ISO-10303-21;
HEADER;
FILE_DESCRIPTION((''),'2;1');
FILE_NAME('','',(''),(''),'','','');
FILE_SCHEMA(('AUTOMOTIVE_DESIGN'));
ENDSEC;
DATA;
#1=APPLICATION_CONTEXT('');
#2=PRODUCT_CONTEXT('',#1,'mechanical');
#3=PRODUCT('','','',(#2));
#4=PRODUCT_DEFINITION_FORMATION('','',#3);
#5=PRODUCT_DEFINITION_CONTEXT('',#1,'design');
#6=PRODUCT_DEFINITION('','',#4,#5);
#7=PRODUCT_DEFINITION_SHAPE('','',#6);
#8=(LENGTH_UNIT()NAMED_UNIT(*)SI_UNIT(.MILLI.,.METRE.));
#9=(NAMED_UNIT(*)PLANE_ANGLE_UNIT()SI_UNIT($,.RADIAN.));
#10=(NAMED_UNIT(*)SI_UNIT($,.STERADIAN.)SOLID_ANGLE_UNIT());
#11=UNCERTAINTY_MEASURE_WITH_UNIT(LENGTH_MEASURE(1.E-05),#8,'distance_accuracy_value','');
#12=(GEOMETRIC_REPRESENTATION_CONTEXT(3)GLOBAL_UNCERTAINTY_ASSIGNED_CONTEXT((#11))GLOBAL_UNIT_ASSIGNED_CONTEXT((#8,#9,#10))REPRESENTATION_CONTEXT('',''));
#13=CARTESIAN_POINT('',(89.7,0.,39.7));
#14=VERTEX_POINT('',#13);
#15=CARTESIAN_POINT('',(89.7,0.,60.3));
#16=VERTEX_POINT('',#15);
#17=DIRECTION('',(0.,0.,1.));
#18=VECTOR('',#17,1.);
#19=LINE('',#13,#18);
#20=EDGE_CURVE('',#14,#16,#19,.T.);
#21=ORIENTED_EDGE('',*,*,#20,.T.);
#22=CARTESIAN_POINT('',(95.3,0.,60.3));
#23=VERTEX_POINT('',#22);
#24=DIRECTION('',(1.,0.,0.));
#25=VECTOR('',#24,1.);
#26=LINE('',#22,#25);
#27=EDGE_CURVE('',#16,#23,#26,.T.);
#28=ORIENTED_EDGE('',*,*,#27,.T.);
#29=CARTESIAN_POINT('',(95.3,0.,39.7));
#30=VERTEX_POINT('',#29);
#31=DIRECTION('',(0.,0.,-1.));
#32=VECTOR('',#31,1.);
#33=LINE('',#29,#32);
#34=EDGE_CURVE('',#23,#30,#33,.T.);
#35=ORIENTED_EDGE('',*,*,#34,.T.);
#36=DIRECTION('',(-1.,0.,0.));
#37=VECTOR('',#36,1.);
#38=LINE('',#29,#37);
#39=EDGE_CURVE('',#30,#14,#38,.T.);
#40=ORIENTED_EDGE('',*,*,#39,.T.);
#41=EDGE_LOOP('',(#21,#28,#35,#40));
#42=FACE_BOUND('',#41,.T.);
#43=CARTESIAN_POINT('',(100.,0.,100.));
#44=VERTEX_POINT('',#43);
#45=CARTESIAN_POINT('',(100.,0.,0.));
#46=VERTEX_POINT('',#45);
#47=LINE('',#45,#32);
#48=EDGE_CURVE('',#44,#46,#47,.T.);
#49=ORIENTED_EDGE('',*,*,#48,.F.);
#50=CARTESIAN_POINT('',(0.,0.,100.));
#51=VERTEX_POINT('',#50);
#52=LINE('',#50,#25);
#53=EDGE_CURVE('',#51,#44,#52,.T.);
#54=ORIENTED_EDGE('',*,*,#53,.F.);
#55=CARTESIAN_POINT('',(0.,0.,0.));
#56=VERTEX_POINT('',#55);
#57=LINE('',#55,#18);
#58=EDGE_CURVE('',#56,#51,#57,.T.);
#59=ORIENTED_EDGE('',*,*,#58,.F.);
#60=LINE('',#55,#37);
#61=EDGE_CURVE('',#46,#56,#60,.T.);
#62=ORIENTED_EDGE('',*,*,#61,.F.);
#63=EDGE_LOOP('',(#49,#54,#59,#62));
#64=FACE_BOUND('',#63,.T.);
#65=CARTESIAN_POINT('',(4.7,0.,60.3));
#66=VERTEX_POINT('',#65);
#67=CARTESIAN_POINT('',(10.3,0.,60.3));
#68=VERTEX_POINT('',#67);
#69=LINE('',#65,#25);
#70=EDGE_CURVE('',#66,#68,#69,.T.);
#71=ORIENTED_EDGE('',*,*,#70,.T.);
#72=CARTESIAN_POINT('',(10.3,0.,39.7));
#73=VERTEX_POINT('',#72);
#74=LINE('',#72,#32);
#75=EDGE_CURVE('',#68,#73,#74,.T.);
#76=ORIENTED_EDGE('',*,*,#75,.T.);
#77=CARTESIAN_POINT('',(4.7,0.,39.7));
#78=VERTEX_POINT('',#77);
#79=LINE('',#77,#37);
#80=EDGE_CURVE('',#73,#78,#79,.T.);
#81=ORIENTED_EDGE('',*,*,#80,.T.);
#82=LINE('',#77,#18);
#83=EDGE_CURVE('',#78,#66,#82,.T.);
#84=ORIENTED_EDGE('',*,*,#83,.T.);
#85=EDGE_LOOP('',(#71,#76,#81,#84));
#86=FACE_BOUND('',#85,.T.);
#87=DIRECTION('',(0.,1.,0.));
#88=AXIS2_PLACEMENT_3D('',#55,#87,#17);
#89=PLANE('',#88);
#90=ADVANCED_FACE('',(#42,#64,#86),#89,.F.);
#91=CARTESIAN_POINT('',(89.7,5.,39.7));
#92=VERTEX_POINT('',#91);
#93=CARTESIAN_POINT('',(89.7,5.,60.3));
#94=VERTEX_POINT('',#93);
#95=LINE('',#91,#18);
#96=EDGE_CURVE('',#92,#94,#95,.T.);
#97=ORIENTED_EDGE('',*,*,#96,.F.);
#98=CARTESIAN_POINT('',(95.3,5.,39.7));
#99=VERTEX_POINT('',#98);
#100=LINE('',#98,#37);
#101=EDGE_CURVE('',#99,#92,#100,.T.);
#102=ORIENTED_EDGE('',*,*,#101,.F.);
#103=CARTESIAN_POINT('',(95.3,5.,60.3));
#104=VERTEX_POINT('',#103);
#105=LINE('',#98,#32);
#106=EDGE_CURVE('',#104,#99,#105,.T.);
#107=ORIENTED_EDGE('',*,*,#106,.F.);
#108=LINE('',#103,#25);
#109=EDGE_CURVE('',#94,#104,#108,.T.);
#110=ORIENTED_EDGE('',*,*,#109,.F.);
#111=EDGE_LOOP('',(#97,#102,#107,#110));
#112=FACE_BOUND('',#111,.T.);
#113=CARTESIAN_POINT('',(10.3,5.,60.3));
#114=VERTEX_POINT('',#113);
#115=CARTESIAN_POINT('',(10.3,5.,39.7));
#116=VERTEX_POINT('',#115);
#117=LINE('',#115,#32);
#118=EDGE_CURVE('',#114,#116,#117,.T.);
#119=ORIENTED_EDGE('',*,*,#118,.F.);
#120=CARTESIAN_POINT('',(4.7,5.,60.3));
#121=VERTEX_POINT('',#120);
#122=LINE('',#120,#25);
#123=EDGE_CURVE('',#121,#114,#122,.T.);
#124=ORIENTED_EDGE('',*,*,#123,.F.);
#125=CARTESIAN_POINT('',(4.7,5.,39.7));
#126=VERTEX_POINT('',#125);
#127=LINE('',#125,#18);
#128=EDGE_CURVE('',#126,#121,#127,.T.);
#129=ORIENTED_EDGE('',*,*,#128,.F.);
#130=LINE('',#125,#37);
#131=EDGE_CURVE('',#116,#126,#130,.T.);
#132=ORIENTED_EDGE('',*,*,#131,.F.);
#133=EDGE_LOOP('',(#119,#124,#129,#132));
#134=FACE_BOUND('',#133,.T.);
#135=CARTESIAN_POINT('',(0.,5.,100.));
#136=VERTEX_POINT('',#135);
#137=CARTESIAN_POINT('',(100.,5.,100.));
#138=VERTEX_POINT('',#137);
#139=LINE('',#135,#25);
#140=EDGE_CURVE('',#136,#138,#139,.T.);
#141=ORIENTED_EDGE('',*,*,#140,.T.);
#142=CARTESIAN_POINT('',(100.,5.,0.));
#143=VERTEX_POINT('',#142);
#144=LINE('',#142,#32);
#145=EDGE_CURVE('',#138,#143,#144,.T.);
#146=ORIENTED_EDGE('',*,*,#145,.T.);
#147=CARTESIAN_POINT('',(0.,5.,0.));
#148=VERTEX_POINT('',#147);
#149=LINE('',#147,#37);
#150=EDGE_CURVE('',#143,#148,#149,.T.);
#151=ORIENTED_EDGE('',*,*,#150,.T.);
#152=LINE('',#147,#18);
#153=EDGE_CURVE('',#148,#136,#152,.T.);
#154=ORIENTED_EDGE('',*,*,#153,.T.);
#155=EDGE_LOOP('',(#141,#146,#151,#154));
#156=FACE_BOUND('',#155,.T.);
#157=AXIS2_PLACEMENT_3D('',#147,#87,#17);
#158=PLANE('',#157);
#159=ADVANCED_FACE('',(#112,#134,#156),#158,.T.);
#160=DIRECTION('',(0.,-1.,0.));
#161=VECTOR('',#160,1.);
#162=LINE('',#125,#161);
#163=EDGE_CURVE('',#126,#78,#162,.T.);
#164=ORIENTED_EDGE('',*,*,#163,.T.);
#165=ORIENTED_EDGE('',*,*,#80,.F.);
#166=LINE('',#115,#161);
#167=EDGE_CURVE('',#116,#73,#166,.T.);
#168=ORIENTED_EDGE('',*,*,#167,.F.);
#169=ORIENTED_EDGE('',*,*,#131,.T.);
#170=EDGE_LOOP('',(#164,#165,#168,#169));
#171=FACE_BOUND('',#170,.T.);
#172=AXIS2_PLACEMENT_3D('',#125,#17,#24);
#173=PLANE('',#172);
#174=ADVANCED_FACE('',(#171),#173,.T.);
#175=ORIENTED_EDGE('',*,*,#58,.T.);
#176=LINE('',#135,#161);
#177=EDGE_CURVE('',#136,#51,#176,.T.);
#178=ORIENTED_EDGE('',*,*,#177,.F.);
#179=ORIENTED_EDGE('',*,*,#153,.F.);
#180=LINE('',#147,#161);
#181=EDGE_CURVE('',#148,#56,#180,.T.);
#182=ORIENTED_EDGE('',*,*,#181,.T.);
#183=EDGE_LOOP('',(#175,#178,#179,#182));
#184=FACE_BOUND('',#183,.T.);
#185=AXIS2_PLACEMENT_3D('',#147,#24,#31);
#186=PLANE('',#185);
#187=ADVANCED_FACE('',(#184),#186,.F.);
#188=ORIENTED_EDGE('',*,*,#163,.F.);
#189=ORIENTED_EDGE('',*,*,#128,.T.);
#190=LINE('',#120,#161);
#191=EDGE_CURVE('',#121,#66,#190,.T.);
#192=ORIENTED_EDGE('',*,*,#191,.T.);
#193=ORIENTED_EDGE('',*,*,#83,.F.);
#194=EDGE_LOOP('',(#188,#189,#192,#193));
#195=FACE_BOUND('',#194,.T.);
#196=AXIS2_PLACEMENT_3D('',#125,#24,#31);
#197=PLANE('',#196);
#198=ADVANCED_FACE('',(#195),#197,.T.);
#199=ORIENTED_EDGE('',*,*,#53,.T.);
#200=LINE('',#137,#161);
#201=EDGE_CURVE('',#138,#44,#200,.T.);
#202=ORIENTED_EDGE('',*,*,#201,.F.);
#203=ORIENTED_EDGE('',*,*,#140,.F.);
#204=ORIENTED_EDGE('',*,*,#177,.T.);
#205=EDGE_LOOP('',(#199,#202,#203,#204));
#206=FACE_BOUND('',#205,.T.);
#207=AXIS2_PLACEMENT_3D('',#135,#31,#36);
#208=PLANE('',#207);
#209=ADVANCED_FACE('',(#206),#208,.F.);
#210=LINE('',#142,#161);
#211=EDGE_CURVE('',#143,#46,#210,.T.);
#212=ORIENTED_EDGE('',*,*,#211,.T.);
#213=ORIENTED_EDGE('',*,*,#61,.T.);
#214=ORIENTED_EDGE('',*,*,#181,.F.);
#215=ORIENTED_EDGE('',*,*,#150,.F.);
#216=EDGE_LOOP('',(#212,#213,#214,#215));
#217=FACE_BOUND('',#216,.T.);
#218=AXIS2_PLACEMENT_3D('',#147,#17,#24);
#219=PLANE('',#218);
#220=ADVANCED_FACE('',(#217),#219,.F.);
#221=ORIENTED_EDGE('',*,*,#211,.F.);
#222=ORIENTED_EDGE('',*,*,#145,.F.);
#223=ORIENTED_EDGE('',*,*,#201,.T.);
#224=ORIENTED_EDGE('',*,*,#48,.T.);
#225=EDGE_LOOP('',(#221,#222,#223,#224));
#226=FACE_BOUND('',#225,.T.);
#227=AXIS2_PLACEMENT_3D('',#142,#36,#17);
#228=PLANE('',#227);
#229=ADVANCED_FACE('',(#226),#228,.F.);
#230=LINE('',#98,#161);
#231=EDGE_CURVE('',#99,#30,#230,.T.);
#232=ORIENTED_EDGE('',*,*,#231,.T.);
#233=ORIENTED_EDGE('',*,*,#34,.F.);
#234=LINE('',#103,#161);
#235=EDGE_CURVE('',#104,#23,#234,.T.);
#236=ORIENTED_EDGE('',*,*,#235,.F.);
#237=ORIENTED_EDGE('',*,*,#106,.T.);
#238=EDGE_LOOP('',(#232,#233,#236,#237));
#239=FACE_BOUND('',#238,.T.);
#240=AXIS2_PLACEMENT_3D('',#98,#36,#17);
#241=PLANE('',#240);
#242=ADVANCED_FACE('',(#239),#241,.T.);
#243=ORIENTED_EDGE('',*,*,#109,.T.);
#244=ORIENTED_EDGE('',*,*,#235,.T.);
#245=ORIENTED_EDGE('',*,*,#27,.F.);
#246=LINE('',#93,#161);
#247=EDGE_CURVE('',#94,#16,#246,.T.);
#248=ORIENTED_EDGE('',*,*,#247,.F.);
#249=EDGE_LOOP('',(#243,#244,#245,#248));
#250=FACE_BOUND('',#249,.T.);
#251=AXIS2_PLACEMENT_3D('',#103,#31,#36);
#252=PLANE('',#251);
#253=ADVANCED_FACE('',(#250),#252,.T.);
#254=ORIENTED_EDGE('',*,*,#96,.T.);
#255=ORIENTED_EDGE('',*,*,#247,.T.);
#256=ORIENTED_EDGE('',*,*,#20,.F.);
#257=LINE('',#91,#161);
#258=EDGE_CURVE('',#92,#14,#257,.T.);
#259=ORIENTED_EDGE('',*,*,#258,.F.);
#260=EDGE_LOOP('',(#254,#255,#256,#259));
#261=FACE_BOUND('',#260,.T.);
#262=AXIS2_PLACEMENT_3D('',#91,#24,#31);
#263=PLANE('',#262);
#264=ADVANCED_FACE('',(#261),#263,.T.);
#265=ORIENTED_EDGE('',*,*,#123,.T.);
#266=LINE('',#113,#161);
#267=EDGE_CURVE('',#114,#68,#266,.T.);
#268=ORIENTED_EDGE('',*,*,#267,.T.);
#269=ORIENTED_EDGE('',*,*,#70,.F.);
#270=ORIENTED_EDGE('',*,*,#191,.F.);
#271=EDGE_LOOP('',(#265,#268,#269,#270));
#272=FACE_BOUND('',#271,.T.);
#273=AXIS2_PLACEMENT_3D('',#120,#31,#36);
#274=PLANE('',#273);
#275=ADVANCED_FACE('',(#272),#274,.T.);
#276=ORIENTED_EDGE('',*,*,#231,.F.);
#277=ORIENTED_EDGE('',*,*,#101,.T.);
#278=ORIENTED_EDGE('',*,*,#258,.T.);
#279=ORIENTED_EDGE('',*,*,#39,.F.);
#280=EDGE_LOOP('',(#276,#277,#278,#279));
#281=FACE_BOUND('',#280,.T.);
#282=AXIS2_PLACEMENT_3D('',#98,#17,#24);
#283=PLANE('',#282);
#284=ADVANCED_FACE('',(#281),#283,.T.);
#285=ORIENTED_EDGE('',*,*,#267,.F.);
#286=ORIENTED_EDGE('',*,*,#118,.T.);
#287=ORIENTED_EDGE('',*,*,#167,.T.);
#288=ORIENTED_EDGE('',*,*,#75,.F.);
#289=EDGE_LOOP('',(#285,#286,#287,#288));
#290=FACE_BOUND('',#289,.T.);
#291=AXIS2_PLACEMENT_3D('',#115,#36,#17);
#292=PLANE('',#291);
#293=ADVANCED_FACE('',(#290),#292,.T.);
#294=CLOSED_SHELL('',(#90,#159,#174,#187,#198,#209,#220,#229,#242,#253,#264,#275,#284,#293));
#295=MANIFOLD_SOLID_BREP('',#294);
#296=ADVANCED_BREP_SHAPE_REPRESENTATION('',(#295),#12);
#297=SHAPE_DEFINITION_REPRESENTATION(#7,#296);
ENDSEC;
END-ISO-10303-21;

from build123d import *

# Parameters (mm, degrees)
SKETCH1_W           = 100
SKETCH1_H           = 100
SKETCH1_W_2         = 5.6
SKETCH1_H_2         = 20.6
BOSS_EXTRUDE1_DEPTH = 5


with BuildPart() as part:
    # Sketch1 → Boss-Extrude1 (new body)
    with BuildSketch(Plane(origin=(0, 0, 0), x_dir=(1, 0, 0), z_dir=(0, 1, 0))):
        with Locations((50, -50)):
            Rectangle(SKETCH1_W, SKETCH1_H)
        with Locations((7.5, -50)):
            Rectangle(SKETCH1_W_2, SKETCH1_H_2, mode=Mode.SUBTRACT)
        with Locations((92.5, -50)):
            Rectangle(SKETCH1_W_2, SKETCH1_H_2, mode=Mode.SUBTRACT)
    extrude(amount=BOSS_EXTRUDE1_DEPTH)


solid = part.part
